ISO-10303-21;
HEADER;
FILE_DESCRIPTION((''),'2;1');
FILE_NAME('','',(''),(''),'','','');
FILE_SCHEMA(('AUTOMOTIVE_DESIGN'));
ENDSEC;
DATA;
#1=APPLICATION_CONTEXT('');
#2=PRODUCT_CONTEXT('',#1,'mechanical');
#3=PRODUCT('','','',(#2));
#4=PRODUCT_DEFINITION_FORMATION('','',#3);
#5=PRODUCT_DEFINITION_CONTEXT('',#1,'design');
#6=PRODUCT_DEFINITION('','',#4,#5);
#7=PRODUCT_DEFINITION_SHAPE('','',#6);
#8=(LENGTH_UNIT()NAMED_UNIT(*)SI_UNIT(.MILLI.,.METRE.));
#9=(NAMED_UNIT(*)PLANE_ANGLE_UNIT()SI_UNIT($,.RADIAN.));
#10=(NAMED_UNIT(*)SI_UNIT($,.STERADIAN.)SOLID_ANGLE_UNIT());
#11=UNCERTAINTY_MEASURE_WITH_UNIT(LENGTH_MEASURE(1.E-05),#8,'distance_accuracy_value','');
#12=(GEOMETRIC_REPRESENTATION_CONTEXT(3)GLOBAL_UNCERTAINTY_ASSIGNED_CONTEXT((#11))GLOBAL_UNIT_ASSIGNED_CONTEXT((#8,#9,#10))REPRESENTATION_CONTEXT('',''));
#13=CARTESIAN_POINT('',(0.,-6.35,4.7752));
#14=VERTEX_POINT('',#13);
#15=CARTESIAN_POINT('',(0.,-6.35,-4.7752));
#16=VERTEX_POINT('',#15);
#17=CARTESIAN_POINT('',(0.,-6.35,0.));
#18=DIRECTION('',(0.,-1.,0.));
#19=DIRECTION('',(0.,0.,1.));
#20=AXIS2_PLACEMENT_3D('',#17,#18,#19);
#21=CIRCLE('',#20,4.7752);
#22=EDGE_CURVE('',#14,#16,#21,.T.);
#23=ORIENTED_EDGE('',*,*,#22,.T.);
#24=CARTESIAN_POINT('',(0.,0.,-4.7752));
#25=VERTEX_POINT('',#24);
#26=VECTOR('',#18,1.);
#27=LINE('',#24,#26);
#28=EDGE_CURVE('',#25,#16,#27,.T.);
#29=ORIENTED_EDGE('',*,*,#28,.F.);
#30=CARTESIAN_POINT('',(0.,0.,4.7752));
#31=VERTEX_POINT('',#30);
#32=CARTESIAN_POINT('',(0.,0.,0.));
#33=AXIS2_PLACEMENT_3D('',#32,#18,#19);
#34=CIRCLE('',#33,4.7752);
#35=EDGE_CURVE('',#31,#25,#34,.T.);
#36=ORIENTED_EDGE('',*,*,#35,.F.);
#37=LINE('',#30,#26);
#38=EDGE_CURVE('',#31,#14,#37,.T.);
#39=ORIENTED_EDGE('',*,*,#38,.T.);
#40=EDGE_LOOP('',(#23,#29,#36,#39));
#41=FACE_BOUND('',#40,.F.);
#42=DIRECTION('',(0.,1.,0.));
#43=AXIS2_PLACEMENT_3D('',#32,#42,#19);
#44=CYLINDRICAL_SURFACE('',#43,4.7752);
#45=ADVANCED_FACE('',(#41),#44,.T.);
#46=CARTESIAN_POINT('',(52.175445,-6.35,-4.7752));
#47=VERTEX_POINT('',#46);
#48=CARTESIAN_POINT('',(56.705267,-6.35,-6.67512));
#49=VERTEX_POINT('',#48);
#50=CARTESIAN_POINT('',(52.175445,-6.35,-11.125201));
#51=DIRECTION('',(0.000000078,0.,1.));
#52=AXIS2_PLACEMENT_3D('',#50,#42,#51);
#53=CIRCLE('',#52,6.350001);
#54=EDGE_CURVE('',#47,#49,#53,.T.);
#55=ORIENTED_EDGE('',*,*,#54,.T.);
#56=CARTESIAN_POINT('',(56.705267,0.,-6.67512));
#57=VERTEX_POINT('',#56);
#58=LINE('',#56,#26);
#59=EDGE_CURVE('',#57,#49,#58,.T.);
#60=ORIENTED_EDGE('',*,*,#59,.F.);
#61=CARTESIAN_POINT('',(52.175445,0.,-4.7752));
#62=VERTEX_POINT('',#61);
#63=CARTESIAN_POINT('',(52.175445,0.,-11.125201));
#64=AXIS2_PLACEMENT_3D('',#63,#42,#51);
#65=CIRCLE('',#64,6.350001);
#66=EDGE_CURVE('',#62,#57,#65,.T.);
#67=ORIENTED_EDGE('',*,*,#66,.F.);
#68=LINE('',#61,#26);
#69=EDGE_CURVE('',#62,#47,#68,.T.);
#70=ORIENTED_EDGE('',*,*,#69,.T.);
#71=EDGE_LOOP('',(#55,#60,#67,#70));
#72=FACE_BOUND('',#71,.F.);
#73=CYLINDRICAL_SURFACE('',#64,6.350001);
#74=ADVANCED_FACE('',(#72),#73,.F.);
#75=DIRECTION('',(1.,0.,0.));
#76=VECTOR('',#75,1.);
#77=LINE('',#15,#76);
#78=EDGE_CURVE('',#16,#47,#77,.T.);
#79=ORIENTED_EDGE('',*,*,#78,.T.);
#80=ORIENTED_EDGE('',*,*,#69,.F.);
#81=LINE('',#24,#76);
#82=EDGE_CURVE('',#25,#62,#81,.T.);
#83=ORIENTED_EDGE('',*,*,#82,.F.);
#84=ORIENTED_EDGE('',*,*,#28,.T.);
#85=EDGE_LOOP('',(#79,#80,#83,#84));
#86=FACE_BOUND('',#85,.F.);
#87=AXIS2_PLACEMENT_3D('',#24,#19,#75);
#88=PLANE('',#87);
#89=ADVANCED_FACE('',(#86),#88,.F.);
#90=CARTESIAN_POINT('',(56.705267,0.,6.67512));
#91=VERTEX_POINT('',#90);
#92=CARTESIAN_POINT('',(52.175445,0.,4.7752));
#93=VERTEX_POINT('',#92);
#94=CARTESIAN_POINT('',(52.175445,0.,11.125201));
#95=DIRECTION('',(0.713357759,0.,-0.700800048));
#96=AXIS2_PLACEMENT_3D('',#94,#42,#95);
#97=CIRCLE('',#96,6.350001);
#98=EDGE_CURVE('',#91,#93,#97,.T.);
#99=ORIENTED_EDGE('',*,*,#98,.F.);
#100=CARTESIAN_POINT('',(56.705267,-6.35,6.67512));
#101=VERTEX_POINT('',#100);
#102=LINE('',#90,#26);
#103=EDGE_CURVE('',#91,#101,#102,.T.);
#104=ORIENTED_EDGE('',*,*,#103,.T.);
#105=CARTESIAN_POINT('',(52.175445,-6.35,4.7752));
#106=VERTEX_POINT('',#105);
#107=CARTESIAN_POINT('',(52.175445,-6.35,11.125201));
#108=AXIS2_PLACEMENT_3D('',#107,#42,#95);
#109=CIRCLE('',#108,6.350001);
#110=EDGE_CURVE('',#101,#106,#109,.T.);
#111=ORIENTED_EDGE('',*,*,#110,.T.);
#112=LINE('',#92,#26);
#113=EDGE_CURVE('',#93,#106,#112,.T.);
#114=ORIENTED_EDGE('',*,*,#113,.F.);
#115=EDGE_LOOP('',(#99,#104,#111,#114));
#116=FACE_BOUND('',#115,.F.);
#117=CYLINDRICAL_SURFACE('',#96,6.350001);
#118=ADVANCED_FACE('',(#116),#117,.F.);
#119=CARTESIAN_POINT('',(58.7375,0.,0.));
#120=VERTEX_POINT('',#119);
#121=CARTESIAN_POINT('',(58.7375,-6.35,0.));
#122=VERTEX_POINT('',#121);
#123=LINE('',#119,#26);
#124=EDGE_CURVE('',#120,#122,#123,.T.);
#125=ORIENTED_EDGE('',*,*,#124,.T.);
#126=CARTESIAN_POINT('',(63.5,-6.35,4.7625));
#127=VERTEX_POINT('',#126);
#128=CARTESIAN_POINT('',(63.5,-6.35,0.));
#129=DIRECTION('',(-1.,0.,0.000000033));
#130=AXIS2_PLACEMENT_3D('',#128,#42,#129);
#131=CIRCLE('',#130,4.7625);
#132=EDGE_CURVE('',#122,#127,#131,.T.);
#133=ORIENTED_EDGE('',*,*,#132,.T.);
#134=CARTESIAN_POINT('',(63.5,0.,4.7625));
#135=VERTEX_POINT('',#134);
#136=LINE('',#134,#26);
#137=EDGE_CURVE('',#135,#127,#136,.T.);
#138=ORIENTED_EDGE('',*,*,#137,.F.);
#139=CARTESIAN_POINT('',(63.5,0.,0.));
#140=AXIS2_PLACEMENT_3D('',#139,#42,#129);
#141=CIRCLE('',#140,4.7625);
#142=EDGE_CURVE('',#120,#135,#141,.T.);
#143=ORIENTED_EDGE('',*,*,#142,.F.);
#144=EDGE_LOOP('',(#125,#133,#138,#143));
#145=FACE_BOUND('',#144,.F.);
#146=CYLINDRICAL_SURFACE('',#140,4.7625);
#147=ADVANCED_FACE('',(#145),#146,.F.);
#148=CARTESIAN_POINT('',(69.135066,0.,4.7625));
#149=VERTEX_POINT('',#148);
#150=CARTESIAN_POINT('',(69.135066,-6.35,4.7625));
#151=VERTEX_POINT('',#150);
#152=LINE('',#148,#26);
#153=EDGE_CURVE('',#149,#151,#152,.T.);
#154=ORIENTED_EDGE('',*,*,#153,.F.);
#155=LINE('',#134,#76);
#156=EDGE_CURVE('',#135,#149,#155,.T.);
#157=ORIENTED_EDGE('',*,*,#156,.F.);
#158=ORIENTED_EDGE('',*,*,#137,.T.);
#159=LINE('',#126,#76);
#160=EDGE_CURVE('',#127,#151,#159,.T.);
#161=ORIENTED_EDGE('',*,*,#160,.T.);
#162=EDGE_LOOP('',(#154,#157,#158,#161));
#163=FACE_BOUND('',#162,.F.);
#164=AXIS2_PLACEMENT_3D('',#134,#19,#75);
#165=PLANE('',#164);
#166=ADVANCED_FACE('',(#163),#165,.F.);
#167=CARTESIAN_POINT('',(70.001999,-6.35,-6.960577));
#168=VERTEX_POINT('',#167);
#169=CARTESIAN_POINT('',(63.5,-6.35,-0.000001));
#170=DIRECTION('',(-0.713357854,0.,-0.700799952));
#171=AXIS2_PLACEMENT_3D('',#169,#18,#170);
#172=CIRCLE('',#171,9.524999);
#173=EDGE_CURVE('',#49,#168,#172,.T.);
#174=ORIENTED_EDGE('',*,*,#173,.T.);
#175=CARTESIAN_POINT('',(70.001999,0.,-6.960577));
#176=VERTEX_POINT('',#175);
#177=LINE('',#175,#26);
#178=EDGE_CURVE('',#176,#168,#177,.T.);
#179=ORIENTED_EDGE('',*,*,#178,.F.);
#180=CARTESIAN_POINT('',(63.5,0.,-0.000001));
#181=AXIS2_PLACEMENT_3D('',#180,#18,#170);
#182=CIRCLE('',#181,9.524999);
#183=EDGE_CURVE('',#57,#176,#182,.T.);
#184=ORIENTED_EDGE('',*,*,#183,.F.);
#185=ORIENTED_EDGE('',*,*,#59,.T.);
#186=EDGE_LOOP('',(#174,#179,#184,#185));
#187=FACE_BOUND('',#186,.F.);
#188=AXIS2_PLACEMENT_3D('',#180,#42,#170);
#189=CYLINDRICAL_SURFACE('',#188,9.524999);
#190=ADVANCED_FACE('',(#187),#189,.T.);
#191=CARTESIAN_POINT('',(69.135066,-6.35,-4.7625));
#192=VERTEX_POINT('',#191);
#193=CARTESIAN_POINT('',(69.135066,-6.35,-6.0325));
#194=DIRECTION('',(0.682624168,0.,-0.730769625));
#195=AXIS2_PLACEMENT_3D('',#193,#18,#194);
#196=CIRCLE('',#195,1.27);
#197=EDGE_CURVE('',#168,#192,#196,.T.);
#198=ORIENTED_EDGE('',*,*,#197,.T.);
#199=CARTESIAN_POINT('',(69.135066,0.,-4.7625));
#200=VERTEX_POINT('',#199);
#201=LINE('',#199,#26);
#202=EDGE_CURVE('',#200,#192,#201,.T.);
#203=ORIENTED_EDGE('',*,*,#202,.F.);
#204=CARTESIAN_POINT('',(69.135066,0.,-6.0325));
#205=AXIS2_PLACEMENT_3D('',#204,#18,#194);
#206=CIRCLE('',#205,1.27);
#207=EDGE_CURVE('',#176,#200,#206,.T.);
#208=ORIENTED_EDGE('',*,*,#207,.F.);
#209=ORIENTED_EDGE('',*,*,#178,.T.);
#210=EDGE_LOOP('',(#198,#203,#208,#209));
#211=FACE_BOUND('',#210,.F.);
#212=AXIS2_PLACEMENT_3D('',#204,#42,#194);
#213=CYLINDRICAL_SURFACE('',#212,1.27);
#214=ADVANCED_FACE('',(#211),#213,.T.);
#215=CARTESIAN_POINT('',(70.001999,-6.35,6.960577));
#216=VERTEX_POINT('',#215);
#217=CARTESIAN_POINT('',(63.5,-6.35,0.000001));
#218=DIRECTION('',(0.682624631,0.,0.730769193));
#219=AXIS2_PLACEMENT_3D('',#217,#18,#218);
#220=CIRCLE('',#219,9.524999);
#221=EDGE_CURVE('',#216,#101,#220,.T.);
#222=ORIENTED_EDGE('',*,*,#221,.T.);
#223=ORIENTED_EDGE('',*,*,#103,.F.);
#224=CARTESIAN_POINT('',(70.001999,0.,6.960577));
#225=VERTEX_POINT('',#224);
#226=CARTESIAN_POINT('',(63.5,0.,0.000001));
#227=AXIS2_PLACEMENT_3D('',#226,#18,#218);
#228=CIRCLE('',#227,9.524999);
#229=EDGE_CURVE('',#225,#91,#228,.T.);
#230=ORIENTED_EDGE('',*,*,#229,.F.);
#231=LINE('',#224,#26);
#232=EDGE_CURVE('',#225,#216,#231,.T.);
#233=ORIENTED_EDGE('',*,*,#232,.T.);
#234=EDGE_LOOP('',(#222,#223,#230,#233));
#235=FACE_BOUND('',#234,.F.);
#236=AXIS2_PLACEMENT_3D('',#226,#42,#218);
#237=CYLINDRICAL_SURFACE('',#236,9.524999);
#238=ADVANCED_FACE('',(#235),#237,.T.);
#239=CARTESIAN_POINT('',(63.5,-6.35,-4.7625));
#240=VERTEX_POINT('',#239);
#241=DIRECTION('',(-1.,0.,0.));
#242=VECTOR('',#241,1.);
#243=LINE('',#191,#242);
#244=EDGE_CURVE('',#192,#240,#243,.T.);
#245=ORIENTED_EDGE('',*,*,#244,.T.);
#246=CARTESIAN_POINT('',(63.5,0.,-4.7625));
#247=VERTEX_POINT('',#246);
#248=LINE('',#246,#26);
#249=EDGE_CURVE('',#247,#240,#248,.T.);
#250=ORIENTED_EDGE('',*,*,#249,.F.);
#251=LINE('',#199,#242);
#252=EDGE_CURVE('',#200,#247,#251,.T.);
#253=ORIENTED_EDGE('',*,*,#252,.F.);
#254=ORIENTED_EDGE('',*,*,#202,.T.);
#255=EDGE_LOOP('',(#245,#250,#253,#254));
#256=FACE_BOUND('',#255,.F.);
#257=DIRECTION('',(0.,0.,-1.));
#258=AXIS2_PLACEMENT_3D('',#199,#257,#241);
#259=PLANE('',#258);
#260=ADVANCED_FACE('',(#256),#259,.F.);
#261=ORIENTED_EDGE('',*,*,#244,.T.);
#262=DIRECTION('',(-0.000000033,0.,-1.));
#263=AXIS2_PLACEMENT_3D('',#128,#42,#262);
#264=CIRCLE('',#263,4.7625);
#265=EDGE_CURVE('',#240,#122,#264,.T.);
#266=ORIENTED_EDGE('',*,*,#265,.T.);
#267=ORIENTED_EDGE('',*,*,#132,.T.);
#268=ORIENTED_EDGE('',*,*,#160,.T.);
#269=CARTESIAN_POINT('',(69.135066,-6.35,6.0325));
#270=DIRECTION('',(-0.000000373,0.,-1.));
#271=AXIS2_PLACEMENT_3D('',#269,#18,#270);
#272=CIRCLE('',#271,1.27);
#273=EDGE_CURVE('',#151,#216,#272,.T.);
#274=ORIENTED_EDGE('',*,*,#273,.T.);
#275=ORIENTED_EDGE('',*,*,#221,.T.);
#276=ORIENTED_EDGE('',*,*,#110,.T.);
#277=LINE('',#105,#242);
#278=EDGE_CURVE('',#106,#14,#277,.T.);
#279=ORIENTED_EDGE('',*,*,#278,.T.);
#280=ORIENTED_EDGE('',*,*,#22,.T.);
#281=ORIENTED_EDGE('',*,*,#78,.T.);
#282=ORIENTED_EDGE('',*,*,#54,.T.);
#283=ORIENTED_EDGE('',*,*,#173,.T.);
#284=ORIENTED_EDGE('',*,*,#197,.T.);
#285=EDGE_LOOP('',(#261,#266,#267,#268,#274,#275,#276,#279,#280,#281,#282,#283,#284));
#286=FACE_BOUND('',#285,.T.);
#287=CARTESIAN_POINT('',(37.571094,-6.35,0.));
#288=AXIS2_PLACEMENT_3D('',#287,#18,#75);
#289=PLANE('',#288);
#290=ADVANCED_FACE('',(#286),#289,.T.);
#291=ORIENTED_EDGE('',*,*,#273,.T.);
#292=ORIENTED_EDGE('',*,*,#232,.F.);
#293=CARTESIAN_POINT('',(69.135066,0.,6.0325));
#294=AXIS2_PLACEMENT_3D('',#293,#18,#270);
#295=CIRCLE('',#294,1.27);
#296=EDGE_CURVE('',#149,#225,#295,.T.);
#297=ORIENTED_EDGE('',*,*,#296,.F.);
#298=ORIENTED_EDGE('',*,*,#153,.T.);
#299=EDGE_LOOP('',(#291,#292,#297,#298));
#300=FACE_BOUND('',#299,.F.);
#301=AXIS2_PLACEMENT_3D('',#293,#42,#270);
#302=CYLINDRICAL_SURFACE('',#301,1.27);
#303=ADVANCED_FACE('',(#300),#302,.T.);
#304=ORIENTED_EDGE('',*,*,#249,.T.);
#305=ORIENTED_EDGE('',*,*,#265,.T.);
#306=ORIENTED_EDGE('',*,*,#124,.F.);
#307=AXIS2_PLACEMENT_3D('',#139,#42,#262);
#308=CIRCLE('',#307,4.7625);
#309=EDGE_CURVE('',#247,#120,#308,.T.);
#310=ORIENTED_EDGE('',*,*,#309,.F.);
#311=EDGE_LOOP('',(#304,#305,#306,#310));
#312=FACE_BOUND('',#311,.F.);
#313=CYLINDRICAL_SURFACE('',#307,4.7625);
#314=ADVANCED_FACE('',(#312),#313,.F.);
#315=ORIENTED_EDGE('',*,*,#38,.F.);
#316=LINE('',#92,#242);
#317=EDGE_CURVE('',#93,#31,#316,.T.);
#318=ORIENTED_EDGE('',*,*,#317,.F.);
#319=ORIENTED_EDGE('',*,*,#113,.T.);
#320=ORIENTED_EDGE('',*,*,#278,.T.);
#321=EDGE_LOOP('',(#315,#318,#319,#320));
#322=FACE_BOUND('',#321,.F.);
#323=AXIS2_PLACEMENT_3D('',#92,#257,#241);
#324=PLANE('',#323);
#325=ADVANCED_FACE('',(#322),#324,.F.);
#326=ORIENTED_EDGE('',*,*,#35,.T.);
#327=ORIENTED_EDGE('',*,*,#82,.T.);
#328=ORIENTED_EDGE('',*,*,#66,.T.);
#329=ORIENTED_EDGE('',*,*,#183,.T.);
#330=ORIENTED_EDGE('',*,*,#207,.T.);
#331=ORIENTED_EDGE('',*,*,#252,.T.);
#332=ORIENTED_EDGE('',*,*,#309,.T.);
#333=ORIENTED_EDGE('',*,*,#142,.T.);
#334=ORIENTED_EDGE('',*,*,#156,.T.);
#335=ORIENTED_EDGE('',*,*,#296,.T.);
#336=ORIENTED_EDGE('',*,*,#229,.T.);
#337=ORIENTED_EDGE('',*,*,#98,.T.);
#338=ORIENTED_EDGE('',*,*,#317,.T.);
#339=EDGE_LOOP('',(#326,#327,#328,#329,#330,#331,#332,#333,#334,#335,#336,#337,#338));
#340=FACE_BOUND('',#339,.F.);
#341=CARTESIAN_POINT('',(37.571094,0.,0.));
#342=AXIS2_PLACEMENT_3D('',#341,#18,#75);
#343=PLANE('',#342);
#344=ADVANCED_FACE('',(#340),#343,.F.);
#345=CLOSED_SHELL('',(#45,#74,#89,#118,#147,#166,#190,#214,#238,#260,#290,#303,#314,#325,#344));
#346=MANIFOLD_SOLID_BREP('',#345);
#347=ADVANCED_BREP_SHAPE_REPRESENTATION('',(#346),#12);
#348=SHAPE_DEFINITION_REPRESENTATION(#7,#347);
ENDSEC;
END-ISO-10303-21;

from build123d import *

# Parameters (mm, degrees)
F1_DEPTH = 6.35


with BuildPart() as f1:
    # F0 (on Front) → F1 (new body)
    with BuildSketch(Plane.XZ):
        with BuildLine():
            Line((52.175445, 4.7752), (0, 4.7752))
            ThreePointArc((0, 4.7752), (-4.7752, 0), (0, -4.7752))
            Line((0, -4.7752), (52.175445, -4.7752))
            ThreePointArc((52.175445, -4.7752), (54.631508, -5.269412), (56.705267, -6.67512))
            ThreePointArc((56.705267, -6.67512), (63.295562, -9.522806), (70.001999, -6.960577))
            ThreePointArc((70.001999, -6.960577), (70.316497, -5.566537), (69.135066, -4.7625))
            Line((69.135066, -4.7625), (63.5, -4.7625))
            ThreePointArc((63.5, -4.7625), (60.132404, -3.367596), (58.7375, 0))
            ThreePointArc((58.7375, 0), (60.132404, 3.367596), (63.5, 4.7625))
            Line((63.5, 4.7625), (69.135066, 4.7625))
            ThreePointArc((69.135066, 4.7625), (70.316497, 5.566537), (70.001999, 6.960577))
            ThreePointArc((70.001999, 6.960577), (63.295562, 9.522806), (56.705267, 6.67512))
            ThreePointArc((56.705267, 6.67512), (54.631508, 5.269412), (52.175445, 4.7752))
        make_face()
    extrude(amount=F1_DEPTH)


solid = f1.part
